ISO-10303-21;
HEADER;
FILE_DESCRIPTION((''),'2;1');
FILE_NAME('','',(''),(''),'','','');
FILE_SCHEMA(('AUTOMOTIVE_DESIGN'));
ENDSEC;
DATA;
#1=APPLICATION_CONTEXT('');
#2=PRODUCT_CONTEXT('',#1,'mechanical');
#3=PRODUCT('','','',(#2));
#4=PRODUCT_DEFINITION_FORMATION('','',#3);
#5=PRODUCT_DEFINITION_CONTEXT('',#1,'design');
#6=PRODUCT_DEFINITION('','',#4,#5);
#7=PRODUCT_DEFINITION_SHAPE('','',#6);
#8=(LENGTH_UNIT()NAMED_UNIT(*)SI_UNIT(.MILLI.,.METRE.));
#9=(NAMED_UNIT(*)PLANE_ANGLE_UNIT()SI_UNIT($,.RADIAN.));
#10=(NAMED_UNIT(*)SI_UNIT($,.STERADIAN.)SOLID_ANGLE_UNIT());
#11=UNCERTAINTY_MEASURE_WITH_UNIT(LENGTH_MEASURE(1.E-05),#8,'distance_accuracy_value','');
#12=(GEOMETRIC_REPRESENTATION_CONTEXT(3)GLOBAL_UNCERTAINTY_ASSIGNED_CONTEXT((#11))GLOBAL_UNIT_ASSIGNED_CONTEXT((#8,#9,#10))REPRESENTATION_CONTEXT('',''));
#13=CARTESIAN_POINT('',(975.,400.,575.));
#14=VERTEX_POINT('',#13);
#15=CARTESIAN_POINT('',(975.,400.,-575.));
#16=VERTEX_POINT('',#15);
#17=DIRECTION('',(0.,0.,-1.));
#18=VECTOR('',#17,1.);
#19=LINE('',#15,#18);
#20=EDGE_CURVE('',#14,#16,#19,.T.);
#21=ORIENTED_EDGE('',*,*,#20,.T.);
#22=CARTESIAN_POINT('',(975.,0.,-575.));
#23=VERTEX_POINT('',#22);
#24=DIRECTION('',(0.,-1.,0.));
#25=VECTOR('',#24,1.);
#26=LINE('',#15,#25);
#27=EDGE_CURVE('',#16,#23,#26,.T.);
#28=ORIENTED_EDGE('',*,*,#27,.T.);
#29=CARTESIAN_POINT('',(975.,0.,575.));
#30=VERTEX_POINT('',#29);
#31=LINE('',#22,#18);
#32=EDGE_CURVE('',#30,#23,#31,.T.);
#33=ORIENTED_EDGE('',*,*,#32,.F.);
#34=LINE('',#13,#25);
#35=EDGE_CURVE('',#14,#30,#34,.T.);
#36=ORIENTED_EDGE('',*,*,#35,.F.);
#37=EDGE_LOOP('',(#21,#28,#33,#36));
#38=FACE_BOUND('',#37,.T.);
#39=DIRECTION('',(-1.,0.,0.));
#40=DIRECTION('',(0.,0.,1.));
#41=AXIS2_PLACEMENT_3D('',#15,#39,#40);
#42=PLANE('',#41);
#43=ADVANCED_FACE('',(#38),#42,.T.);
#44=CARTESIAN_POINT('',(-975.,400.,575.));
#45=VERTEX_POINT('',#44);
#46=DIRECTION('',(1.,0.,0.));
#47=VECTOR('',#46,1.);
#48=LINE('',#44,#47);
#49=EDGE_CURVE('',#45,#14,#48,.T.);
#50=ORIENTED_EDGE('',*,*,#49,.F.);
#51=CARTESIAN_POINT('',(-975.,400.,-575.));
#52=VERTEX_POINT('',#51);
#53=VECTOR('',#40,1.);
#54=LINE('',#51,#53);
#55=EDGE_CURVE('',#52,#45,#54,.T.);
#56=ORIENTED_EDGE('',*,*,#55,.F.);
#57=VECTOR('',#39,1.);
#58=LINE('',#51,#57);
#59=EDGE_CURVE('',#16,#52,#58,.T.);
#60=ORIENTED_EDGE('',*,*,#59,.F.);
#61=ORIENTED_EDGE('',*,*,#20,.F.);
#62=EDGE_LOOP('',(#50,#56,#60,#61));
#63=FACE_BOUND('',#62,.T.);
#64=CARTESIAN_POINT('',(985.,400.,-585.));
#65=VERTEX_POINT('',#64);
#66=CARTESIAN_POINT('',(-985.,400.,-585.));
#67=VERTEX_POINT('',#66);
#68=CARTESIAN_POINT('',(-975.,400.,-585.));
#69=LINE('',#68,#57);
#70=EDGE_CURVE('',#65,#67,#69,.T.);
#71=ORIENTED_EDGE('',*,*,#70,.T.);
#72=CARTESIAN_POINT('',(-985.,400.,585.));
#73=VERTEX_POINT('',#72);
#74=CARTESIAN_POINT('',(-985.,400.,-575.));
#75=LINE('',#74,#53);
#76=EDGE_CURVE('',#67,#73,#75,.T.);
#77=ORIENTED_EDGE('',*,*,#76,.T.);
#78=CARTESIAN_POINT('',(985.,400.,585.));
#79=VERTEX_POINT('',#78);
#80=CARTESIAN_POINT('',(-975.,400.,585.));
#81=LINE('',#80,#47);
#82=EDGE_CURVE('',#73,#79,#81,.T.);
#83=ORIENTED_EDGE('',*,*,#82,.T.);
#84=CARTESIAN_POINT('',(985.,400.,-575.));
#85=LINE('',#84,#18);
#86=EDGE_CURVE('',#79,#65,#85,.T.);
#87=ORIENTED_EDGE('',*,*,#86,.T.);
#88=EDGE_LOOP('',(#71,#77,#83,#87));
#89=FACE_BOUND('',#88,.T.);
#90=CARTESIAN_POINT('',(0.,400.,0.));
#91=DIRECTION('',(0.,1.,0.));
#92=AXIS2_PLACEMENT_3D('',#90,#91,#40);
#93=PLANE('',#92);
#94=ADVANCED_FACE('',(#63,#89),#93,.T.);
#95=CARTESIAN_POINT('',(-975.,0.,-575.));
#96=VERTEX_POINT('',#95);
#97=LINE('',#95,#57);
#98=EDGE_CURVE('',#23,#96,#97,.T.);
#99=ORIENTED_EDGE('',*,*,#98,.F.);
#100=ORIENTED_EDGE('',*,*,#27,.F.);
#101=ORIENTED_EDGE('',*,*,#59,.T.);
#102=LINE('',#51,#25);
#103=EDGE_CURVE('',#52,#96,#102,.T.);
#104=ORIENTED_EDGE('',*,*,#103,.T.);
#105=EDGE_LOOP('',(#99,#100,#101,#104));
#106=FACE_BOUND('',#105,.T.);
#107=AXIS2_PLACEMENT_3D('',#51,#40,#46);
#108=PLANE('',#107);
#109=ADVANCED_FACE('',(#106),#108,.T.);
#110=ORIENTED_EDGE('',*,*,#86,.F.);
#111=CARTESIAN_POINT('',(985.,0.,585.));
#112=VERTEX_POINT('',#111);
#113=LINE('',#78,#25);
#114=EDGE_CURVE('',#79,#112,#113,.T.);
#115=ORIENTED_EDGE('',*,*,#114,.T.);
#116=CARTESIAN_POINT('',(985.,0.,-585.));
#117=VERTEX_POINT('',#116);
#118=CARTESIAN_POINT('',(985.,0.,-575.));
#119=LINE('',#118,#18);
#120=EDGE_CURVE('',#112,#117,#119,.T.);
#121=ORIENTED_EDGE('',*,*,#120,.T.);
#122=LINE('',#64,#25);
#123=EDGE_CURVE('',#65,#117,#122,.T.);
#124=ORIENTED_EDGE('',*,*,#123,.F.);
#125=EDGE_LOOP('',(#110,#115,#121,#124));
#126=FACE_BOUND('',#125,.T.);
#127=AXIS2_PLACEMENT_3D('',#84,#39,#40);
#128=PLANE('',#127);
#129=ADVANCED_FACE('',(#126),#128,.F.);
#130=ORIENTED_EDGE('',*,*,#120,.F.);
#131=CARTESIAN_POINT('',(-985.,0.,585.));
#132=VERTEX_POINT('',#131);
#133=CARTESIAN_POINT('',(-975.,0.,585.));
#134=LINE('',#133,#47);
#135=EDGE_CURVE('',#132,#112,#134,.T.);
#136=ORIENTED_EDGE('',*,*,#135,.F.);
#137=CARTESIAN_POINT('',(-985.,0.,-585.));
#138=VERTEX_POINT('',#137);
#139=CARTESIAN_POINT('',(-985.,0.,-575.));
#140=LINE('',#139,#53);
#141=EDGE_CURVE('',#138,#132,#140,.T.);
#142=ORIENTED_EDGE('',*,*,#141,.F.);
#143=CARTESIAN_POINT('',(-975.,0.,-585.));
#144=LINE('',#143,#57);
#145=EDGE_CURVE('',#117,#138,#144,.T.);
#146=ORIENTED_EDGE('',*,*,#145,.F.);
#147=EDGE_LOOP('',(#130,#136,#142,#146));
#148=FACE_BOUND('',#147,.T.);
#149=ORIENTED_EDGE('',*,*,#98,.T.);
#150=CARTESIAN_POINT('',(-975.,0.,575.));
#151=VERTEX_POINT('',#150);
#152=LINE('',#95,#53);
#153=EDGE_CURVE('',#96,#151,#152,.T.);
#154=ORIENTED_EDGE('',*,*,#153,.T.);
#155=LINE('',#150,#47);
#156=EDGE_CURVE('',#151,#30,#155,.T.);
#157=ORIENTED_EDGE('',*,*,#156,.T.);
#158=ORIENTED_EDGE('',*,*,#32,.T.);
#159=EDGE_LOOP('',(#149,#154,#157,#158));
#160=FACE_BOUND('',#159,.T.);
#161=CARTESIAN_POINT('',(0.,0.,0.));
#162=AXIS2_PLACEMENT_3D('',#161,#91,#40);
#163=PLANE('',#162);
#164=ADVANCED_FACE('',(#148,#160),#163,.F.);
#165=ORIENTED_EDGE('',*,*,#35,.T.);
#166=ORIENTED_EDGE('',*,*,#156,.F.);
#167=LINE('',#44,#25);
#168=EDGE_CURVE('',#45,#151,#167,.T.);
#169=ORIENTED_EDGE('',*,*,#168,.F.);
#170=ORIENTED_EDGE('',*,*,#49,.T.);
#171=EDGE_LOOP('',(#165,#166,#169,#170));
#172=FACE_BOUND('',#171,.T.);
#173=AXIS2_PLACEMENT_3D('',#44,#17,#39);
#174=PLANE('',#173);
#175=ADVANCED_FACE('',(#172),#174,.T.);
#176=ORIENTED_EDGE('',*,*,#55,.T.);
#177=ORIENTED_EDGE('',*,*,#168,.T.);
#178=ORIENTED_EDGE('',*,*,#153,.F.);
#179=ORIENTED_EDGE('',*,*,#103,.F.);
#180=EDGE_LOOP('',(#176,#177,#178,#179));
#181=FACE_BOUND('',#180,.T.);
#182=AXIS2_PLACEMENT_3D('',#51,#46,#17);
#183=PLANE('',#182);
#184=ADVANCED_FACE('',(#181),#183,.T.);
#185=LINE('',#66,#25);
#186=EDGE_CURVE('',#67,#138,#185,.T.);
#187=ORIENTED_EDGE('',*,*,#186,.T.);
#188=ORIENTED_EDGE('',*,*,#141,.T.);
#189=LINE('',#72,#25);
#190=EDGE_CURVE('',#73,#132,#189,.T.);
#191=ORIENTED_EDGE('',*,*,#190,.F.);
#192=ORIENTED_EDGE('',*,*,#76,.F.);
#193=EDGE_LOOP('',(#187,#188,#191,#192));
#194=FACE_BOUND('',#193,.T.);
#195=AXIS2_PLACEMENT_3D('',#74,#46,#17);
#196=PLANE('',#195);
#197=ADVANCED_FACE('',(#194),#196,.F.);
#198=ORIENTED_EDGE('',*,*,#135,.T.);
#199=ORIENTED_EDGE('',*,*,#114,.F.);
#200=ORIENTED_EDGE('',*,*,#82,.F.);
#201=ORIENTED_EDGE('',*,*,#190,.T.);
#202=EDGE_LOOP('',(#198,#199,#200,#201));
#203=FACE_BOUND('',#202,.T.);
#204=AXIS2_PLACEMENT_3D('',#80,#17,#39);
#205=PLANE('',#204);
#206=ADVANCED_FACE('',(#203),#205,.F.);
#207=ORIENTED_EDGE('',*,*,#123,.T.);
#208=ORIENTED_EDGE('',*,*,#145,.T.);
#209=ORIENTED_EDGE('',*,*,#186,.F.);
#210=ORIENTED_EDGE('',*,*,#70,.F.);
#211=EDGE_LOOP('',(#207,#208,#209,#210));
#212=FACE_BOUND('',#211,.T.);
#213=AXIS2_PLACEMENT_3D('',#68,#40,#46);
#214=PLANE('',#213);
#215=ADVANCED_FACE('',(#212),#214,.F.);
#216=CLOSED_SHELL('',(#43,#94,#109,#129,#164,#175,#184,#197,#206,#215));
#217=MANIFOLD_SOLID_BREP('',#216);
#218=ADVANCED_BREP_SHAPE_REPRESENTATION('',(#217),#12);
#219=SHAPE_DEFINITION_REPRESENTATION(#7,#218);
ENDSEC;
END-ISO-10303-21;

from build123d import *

# Parameters (mm, degrees)
SKETCH2_W           = 1970
SKETCH2_H           = 1170
SKETCH2_W_2         = 1950
SKETCH2_H_2         = 1150
EXTRUDE_THIN1_DEPTH = 400


with BuildPart() as part:
    # Sketch2 → Extrude-Thin1 (new body)
    with BuildSketch(Plane(origin=(0, 0, 0), x_dir=(1, 0, 0), z_dir=(0, 1, 0))):
        Rectangle(SKETCH2_W, SKETCH2_H)
        Rectangle(SKETCH2_W_2, SKETCH2_H_2, mode=Mode.SUBTRACT)
    extrude(amount=EXTRUDE_THIN1_DEPTH)


solid = part.part
